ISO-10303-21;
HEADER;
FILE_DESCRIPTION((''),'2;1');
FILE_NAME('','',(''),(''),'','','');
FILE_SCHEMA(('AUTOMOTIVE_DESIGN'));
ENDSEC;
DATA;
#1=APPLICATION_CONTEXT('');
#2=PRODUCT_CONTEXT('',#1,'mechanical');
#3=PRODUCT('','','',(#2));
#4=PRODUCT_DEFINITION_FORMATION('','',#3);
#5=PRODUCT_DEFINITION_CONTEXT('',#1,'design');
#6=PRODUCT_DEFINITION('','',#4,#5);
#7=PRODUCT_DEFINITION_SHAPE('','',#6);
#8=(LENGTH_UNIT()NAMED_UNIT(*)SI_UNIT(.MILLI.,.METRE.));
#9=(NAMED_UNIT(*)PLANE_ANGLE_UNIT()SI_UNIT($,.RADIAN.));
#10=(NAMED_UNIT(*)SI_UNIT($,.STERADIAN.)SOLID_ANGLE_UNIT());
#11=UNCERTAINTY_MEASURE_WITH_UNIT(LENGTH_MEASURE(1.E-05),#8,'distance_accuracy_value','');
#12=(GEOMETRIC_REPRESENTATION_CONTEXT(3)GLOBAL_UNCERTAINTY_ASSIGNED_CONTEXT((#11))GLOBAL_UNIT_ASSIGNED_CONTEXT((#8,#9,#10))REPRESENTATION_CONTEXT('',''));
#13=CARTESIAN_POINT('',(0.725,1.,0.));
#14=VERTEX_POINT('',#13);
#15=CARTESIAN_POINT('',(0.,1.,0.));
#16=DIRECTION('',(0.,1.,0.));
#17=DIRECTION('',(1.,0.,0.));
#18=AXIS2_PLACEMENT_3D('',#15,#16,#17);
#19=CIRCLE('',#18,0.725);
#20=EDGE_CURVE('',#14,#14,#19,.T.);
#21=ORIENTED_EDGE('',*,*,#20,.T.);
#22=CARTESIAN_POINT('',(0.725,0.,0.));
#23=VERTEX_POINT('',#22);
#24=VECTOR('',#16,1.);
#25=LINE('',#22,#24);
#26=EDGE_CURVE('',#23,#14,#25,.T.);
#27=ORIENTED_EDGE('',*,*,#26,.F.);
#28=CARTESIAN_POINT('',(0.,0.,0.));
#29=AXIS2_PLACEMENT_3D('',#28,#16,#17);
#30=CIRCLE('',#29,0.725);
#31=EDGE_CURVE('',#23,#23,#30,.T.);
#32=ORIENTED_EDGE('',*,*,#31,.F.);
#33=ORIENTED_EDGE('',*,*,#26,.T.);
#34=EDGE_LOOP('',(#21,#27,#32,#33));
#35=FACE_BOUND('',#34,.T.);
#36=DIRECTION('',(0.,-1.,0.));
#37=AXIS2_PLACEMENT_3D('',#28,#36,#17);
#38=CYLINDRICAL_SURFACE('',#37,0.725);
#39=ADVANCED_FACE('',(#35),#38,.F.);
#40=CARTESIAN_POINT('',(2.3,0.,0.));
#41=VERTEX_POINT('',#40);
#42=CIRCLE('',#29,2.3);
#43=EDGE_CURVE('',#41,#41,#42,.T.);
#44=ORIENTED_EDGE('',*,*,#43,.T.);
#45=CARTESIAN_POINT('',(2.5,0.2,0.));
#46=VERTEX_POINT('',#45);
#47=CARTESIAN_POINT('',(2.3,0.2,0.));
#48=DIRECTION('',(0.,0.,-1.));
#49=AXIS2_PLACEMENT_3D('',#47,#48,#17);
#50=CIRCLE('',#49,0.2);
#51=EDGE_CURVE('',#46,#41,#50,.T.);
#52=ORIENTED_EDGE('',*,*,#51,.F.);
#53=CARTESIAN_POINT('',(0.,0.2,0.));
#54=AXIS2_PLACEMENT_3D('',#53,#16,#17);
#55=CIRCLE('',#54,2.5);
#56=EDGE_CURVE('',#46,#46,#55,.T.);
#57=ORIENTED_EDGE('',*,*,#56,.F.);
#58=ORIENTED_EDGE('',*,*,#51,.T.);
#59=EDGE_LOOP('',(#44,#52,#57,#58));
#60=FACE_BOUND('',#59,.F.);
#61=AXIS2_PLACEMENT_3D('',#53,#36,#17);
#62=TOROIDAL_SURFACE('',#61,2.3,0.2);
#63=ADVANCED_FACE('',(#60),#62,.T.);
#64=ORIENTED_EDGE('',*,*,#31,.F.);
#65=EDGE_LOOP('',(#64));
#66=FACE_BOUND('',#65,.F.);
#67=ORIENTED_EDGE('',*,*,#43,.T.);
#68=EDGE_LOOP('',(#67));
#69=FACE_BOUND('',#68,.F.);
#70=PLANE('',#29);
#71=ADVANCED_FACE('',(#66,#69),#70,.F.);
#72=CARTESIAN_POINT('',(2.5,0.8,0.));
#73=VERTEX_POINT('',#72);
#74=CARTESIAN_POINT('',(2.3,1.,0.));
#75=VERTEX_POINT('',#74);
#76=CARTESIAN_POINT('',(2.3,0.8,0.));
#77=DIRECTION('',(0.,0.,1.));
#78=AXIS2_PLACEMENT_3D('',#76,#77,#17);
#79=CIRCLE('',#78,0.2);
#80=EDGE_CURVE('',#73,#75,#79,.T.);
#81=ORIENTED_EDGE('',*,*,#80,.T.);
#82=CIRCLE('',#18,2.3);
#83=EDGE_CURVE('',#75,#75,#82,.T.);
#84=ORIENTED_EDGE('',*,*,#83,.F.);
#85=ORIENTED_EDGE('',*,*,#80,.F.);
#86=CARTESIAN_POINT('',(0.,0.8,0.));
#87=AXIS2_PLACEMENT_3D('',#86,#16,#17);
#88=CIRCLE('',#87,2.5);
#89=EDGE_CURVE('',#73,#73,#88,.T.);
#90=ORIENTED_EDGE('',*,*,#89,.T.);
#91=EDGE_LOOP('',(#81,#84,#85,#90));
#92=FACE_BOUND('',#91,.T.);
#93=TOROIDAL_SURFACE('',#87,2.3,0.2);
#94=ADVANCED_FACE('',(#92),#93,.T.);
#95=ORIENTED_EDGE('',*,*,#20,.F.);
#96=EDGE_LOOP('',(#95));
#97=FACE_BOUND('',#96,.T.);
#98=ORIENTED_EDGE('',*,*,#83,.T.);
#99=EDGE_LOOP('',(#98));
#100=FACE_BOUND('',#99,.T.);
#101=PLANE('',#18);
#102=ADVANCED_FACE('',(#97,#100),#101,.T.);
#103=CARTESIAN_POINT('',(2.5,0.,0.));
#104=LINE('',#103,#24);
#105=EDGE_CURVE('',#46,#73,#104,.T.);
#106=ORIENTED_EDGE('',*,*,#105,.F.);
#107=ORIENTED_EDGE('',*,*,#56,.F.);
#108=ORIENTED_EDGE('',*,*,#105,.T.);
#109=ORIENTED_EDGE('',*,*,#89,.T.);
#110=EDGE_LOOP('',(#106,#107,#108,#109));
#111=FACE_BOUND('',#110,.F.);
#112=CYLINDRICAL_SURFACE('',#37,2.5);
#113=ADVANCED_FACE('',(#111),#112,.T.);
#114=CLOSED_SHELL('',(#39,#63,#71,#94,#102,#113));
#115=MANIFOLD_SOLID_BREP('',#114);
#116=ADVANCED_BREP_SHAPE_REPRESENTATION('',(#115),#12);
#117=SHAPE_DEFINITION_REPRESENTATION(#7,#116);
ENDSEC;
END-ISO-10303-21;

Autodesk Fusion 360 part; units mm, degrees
sketch "Sketch1" plane through (0, 0, 0) normal (0, 1, 0) x (1, 0, 0)
  circle A0 centre (0, 0) radius 0.725
  circle A1 centre (0, 0) radius 2.5
  dimension "d1" = 1.45
  dimension "d2" = 5
extrude "Extrude1" add sketch "Sketch1" along normal blind 1
fillet "Fillet1" radius 0.2 2 edges at (-2.3308, 1, 0.904) (-2.3308, 0, 0.904)
